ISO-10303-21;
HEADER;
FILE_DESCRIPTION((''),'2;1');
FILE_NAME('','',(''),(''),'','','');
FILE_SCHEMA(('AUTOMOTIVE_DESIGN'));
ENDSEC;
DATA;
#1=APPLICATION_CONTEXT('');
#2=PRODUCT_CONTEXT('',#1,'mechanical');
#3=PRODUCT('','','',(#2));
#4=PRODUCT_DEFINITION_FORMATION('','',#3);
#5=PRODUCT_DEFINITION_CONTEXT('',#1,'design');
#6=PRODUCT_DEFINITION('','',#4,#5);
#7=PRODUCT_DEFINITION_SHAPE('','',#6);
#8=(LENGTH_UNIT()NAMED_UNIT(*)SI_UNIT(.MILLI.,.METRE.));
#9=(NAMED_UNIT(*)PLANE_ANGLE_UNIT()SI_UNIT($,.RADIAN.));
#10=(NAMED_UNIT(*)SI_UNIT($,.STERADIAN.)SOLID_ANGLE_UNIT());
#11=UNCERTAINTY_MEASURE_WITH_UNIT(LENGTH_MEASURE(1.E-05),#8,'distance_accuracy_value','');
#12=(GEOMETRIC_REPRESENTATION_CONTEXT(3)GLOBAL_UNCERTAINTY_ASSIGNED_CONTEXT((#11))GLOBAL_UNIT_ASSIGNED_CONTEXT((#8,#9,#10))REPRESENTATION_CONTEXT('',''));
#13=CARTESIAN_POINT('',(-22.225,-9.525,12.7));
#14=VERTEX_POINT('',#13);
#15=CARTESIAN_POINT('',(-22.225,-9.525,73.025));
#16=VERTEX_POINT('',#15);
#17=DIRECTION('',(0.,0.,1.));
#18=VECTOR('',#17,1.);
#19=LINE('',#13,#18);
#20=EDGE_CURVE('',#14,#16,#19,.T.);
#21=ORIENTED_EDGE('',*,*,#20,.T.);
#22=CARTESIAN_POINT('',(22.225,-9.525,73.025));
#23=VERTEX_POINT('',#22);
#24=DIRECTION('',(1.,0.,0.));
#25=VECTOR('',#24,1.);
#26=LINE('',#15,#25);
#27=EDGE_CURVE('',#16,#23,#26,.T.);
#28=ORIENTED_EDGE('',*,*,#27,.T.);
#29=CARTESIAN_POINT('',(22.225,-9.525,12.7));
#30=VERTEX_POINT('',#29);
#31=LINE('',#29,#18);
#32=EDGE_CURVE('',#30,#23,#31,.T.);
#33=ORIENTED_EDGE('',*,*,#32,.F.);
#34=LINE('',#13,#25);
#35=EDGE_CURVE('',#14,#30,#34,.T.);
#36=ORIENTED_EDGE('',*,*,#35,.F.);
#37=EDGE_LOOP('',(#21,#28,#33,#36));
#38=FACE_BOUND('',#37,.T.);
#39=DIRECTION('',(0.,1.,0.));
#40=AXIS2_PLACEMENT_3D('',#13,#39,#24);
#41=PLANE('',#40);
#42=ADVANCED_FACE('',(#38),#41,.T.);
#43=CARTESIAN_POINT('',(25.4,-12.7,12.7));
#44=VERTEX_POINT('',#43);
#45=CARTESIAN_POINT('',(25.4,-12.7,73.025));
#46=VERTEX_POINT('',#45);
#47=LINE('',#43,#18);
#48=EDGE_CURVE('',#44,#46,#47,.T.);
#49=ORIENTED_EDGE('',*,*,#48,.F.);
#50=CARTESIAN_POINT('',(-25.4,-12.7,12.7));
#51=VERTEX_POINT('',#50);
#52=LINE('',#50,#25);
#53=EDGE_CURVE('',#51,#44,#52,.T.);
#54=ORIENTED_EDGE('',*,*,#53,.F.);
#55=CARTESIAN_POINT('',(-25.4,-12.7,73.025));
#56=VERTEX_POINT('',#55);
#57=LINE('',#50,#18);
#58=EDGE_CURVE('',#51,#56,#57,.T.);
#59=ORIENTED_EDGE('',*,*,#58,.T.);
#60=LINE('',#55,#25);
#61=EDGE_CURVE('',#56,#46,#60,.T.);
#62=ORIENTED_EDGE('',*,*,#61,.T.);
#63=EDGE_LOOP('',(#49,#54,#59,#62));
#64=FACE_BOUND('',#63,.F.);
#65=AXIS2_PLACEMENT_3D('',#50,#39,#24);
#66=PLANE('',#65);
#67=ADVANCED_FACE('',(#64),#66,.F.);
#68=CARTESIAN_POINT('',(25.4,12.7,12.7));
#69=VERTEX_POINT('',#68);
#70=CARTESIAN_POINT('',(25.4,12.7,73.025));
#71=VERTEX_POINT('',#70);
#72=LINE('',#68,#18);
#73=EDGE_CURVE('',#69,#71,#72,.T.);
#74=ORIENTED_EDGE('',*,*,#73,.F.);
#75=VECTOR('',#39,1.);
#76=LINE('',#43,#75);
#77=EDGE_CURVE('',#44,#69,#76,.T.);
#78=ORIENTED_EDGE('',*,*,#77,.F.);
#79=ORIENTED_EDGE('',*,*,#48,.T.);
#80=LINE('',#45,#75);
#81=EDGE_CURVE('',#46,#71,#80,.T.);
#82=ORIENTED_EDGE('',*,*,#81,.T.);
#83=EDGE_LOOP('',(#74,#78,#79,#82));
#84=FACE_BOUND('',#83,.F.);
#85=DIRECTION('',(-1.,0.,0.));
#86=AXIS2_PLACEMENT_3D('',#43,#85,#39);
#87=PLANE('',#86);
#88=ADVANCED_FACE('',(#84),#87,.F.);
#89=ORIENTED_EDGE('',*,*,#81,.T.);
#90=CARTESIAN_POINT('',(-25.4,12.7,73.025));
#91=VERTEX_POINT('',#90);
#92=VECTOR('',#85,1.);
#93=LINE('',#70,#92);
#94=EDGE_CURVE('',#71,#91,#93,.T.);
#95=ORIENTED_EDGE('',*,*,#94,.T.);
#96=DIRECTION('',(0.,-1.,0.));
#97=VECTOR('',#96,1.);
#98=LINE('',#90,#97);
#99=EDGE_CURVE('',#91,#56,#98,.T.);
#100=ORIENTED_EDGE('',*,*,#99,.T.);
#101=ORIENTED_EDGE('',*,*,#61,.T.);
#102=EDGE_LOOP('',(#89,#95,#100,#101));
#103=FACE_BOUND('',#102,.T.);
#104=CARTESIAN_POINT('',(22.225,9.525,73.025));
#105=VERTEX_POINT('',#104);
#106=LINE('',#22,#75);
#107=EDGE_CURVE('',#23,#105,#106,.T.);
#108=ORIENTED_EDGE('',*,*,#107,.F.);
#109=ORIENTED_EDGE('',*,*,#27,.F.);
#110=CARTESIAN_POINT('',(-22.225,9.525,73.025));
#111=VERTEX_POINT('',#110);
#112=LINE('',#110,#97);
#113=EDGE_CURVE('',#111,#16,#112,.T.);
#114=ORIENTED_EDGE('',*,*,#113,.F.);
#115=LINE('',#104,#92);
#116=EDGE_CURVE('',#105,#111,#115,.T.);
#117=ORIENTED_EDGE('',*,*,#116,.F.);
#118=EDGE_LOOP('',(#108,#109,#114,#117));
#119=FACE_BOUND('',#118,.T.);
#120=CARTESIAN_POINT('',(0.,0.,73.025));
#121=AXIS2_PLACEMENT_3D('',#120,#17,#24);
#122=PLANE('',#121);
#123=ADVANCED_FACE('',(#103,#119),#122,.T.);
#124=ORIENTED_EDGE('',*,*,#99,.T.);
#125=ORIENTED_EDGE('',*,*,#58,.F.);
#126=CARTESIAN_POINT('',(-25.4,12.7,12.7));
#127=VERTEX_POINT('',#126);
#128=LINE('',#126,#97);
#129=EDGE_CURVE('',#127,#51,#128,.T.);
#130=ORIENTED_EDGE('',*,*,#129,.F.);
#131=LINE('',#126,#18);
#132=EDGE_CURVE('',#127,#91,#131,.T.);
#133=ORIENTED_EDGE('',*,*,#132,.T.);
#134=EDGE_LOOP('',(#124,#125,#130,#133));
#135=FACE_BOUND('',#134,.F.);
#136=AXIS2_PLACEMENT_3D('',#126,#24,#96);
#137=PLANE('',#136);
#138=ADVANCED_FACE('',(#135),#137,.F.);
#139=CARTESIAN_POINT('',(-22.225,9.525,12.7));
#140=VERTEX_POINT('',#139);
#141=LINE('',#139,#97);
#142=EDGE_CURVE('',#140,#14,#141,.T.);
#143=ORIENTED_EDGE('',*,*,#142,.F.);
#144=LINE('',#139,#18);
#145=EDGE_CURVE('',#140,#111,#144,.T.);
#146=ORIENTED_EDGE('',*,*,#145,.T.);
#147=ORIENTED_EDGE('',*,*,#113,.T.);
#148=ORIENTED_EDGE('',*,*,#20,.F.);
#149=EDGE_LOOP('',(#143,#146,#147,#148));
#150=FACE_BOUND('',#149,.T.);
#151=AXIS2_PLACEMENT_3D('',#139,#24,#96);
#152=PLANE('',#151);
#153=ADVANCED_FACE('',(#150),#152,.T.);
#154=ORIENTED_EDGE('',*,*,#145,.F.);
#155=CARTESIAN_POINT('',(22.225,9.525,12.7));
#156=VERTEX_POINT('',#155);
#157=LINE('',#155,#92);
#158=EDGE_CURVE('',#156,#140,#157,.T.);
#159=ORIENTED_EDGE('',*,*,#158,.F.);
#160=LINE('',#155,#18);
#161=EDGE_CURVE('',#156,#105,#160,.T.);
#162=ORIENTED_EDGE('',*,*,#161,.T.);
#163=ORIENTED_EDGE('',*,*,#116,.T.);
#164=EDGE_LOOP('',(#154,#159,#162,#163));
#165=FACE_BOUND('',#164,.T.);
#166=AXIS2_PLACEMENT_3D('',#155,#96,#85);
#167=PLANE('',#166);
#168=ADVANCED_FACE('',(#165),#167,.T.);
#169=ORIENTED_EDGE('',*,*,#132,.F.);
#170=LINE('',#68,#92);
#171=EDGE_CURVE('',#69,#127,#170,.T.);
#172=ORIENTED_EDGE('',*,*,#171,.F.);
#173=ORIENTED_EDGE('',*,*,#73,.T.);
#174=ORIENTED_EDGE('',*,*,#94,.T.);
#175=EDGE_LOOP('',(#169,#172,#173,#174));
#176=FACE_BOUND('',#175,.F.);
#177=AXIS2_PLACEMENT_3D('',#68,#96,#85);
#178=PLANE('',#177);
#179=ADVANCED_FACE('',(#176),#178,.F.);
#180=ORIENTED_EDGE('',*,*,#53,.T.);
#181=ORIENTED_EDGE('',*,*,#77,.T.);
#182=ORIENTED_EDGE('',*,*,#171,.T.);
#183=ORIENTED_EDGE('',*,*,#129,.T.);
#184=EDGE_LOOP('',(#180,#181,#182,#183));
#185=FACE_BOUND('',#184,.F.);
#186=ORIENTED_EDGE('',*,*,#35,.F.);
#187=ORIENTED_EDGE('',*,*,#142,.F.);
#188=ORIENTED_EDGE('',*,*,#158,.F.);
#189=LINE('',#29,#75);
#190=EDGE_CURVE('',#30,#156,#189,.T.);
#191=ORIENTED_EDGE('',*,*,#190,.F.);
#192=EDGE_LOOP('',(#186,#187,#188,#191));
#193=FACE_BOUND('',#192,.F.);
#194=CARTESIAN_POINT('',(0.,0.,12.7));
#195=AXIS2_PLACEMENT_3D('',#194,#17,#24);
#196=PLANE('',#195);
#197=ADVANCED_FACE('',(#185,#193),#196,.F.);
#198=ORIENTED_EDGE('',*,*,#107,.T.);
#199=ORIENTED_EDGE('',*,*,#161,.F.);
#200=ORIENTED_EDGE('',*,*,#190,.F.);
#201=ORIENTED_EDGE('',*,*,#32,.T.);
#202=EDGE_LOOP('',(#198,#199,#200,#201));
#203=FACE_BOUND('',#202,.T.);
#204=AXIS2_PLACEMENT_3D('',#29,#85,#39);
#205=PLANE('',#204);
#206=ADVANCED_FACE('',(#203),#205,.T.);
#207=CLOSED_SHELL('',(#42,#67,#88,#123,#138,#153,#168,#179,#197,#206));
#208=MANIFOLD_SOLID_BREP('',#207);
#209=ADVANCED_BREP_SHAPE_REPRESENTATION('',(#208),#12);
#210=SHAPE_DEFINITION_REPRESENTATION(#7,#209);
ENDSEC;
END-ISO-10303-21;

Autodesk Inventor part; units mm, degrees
ref_plane "Start Plane" through (0, 0, 12.7) normal (0, 0, 1) x (1, 0, 0)
ref_plane "End Plane" through (0, 0, 73.025) normal (0, 0, 1) x (1, 0, 0)
sketch "Sketch" plane through (0, 0, 0) normal (0, 0, 1) x (1, 0, 0)
  line L0 (-25.4, -12.7) -> (25.4, -12.7)
  line L1 (25.4, -12.7) -> (25.4, 12.7)
  line L2 (25.4, 12.7) -> (-25.4, 12.7)
  line L3 (-25.4, 12.7) -> (-25.4, -12.7)
  line L4 (-25.4, -12.7) -> (25.4, 12.7) construction
  line L5 (25.4, -12.7) -> (-25.4, 12.7) construction
  line L6 (-22.225, -9.525) -> (22.225, -9.525)
  line L7 (22.225, -9.525) -> (22.225, 9.525)
  line L8 (22.225, 9.525) -> (-22.225, 9.525)
  line L9 (-22.225, 9.525) -> (-22.225, -9.525)
  line L10 (-22.225, -9.525) -> (22.225, 9.525) construction
  line L11 (22.225, -9.525) -> (-22.225, 9.525) construction
  point P0 (0, 0)
  point P1 (0, 0)
  dimension "d0" = 50.8
  dimension "d1" = 25.4
  dimension "d2" = 3.175
  dimension "d3" = 3.175
extrude "Body" add sketch "Sketch" along normal up to surface (60.325 mm away) from surface at 12.7
sketch "Sketch4" plane through (0, 0, 0) normal (0, 0, 1) x (1, 0, 0)
  line L0 (0, 0) -> (10, 0)
ref_plane "Work Plane4" through (0, 0, 0) normal (0, -1, 0) x (1, 0, 0)
sketch "Sketch5" plane through (0, 0, 0) normal (0, -1, 0) x (1, 0, 0)
  line L0 (-2, 12.7) -> (12, 12.7)
  line L1 (-2, 73.025) -> (12, 73.025)
  dimension "d11" = 60.325
ref_plane "Work Plane5" through (-25.4, -419.1, 12.7) normal (0, 0, -1) x (-1, 0, 0)
split "Split1" plane through (-25.4, -419.1, 12.7) removes the side toward (0, 0, -1)
equation "\"G_OFFSET_START\" = -12.7"
equation "\"G_OFFSET_END\" = 0"
equation "\"d6\" = -G_OFFSET_START"
equation "\"d7\" = length + G_OFFSET_END"
equation "\"G_L\" = d11"
equation "\"length\" = 73.025"
properties part number "2x1inTubing"
